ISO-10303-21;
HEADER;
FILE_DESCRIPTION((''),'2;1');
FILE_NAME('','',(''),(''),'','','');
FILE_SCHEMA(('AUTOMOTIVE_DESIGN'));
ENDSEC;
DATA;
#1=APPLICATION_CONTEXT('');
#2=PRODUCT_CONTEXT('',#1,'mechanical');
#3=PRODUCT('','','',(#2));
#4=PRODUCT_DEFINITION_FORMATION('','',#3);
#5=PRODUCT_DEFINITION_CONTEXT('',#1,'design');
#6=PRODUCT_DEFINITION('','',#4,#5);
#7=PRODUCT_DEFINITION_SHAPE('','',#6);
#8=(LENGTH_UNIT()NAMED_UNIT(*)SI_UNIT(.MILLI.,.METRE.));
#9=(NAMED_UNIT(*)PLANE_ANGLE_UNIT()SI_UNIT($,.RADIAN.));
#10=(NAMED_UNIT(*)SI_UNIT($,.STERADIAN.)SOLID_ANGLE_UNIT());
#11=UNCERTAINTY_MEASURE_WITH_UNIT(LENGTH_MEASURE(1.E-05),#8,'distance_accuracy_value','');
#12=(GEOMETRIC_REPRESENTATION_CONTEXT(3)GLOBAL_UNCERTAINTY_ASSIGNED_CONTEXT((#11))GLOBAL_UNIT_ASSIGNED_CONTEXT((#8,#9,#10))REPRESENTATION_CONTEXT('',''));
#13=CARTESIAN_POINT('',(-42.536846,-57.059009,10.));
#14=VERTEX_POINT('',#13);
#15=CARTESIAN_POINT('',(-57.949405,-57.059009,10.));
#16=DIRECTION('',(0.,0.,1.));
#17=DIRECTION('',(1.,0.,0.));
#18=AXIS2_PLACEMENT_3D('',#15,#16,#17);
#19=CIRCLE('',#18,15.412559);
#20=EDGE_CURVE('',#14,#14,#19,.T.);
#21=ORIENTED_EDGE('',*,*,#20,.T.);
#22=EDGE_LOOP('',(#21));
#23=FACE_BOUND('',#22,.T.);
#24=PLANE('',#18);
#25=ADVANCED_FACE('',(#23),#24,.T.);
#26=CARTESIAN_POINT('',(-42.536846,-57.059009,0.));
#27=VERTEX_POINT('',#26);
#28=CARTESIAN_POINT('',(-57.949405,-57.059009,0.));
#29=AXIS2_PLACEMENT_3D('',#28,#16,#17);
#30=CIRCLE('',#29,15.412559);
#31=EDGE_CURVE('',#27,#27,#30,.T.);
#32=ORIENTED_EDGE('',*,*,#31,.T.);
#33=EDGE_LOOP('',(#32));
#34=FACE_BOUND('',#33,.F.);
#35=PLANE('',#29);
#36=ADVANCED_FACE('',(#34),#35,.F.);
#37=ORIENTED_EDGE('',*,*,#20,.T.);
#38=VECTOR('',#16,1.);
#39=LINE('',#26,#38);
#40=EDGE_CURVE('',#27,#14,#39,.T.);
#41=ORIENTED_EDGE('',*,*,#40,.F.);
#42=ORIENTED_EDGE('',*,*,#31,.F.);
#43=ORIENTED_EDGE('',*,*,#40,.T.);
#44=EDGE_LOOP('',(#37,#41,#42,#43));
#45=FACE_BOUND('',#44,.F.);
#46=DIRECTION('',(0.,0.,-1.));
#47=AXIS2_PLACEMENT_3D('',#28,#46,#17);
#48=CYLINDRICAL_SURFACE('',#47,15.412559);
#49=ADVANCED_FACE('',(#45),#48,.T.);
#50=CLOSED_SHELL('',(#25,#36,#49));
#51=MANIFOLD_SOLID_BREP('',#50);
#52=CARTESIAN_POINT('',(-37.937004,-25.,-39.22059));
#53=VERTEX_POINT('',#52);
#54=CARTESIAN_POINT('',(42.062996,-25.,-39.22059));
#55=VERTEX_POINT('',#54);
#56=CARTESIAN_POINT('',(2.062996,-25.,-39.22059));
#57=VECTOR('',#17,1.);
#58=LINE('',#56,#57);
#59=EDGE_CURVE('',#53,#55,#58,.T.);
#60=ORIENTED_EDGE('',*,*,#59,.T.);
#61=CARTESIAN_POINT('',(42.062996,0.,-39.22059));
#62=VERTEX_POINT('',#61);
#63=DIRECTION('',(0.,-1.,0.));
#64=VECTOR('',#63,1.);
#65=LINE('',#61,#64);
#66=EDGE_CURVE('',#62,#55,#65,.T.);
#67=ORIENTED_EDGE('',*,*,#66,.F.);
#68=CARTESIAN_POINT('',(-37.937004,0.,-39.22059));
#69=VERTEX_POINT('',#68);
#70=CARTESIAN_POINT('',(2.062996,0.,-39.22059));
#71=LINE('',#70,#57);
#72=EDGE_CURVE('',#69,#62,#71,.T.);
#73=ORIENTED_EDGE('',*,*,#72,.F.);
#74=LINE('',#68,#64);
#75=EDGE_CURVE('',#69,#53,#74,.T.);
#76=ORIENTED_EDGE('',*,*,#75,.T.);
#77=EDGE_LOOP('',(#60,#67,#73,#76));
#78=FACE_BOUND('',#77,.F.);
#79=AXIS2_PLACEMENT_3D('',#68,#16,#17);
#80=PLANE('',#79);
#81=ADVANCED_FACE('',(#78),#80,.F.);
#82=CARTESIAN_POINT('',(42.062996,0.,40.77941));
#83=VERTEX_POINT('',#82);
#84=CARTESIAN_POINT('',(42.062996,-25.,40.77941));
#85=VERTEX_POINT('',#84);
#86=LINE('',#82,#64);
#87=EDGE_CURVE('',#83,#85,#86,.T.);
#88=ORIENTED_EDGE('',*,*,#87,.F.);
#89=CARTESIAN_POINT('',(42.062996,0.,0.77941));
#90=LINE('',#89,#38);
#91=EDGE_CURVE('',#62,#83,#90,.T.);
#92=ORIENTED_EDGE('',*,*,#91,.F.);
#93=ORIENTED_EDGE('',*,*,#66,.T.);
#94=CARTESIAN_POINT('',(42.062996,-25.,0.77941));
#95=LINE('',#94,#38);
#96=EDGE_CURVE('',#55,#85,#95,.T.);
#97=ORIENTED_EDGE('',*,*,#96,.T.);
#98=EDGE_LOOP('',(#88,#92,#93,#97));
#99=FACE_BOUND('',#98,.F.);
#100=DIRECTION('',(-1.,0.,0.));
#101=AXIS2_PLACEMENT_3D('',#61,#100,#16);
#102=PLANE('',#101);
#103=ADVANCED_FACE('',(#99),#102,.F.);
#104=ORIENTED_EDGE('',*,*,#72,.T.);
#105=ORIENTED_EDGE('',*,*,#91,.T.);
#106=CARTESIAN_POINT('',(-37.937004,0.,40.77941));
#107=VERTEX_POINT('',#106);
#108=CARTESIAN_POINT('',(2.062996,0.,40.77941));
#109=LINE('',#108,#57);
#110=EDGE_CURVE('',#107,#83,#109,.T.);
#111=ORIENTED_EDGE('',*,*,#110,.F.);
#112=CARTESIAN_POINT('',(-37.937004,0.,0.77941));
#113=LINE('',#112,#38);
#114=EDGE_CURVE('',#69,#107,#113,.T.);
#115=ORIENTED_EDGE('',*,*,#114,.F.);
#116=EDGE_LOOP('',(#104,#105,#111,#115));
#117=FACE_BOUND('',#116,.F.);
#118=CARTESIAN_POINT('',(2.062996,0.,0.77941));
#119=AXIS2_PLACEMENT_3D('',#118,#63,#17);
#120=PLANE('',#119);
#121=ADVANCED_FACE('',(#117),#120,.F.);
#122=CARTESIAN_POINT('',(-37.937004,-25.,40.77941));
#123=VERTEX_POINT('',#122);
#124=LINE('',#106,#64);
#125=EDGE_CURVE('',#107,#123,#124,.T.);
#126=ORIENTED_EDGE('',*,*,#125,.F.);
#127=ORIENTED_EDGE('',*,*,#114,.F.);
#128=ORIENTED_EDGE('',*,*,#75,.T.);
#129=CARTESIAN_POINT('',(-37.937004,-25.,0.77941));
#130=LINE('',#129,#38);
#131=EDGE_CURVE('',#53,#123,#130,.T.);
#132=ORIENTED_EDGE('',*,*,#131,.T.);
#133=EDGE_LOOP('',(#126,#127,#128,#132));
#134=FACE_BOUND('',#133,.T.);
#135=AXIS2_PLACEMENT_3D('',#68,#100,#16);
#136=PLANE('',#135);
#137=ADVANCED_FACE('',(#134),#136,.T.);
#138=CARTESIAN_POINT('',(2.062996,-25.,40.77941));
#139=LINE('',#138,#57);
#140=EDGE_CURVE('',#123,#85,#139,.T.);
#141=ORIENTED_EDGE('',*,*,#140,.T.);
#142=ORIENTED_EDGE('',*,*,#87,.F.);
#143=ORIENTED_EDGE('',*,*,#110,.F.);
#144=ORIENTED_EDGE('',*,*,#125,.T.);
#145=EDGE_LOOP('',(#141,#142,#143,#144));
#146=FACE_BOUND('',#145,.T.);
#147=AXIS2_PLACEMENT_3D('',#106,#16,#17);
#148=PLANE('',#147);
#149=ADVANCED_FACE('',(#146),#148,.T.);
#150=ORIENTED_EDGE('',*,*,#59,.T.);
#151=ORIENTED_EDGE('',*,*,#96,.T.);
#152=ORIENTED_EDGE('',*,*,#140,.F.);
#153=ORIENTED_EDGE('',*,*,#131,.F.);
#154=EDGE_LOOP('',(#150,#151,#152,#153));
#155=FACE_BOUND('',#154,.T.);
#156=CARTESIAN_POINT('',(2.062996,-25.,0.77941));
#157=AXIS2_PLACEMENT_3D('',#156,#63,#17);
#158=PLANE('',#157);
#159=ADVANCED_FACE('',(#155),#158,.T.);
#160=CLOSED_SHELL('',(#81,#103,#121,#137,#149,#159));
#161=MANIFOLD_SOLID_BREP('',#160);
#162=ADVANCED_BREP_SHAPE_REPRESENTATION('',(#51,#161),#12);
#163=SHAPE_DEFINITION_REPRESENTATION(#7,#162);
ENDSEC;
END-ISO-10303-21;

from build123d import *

# Parameters (mm, degrees)
F0_W     = 80
F0_H     = 80
F1_DEPTH = 25
F2_R     = 15.412559
F3_DEPTH = 10


with BuildPart() as f1:
    # F0 (on Front) → F1 (new body)
    with BuildSketch(Plane.XZ):
        with Locations((2.062996, 0.77941)):
            Rectangle(F0_W, F0_H)
    extrude(amount=F1_DEPTH)


with BuildPart() as f3:
    # F2 (on Top) → F3 (new body)
    with BuildSketch(Plane.XY):
        with Locations((-57.949405, -57.059009)):
            Circle(F2_R)
    extrude(amount=F3_DEPTH)


solid = Compound([f1.part, f3.part])
